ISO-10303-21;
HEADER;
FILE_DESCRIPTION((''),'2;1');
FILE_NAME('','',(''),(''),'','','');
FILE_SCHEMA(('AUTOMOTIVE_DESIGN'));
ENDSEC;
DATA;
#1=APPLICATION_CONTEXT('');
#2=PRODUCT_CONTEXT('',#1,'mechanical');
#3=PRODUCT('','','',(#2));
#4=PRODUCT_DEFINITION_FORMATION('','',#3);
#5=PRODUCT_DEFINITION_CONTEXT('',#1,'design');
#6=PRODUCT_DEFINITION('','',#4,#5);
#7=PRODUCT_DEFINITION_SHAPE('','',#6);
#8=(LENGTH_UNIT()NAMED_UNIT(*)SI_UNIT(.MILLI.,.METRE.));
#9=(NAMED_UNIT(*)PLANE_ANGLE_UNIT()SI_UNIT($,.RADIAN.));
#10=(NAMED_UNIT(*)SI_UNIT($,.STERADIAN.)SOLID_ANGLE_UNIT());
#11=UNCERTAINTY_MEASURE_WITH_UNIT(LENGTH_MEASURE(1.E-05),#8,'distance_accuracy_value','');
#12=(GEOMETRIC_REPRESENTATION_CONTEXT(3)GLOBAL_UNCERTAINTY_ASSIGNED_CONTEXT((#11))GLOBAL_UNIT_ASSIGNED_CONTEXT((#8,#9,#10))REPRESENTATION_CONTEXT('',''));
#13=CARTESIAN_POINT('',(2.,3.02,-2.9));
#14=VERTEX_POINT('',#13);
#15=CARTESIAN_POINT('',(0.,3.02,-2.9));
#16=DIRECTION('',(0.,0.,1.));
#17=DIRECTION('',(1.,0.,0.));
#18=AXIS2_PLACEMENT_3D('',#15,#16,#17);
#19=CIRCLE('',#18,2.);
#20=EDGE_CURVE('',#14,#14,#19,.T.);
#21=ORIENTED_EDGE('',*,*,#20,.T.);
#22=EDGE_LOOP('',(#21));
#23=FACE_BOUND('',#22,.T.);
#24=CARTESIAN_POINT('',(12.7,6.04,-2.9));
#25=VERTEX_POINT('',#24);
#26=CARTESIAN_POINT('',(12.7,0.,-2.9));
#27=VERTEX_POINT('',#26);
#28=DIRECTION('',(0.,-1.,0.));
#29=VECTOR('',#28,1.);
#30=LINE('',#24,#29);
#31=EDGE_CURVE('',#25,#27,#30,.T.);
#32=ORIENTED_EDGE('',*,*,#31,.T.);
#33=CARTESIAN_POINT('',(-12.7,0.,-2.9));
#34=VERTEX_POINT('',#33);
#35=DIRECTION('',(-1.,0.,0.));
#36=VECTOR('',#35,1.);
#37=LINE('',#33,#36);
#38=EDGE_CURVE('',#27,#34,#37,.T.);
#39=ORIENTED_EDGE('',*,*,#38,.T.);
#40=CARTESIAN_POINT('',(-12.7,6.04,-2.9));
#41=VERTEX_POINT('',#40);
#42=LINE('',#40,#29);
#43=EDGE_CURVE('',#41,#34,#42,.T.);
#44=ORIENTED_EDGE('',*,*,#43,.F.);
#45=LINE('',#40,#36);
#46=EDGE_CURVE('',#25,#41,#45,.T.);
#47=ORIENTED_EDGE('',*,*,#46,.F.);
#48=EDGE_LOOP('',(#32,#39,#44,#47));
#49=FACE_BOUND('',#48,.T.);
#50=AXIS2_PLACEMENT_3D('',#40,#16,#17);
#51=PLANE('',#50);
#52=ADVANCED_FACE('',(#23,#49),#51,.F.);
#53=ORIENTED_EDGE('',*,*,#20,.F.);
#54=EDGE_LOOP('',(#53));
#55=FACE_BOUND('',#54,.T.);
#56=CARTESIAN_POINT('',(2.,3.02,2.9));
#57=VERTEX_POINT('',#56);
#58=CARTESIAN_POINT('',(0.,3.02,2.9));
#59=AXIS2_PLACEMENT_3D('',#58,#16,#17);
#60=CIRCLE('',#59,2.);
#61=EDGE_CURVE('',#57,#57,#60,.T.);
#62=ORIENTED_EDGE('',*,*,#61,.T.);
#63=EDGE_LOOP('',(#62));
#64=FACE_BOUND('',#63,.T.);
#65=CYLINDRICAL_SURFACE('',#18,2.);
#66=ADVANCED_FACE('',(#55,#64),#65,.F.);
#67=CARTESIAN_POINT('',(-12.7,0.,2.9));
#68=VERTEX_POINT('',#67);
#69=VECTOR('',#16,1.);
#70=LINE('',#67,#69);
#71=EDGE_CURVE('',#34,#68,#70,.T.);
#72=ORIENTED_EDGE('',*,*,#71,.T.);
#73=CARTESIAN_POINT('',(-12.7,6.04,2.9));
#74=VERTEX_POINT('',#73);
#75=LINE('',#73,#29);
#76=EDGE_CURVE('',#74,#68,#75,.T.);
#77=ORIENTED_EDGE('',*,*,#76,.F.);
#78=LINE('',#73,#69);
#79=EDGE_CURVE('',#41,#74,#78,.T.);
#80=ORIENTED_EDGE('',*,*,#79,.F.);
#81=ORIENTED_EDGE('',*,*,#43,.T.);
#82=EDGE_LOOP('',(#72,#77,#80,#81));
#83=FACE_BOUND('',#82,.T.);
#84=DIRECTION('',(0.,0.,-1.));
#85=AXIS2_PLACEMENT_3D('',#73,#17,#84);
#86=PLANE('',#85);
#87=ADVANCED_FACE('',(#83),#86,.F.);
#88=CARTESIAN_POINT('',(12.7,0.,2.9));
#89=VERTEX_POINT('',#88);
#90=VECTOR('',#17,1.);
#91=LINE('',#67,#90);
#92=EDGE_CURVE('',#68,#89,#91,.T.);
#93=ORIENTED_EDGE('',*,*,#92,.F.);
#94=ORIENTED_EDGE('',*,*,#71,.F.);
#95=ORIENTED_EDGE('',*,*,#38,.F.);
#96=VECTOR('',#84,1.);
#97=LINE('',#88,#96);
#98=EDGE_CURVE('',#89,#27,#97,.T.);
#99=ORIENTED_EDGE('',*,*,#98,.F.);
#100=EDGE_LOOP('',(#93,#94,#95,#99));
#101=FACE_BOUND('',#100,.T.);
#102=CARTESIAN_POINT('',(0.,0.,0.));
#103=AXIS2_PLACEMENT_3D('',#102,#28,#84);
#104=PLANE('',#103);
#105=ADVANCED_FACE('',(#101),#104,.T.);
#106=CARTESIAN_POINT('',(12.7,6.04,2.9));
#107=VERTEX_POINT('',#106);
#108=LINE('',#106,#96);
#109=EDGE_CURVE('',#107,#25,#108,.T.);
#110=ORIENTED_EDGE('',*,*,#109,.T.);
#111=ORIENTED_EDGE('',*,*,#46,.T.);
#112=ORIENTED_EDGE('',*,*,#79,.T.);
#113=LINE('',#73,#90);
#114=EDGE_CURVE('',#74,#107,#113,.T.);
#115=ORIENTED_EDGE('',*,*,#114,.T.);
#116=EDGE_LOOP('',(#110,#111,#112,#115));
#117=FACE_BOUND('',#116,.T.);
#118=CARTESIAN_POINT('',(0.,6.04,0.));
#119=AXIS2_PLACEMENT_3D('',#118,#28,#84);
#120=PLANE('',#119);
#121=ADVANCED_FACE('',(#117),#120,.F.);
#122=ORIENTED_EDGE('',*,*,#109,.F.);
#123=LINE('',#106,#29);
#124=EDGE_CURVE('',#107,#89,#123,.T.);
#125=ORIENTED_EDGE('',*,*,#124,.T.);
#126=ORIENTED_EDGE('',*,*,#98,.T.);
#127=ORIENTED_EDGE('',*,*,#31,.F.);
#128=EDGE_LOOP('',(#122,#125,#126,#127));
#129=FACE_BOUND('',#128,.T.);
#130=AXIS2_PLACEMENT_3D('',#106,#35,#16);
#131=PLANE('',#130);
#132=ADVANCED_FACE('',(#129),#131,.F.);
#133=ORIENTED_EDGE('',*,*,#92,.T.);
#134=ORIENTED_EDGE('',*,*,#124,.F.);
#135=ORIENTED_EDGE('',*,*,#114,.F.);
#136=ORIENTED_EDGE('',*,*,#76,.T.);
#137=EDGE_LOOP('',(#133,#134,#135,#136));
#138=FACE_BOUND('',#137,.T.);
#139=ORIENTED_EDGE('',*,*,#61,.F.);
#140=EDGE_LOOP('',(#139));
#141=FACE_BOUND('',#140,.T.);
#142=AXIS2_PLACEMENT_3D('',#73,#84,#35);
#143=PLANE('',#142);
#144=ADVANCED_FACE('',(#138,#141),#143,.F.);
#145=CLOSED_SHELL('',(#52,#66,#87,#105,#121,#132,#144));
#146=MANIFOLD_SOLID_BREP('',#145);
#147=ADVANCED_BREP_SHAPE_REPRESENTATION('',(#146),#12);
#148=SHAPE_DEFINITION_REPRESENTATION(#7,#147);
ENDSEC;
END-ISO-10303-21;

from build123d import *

# Parameters (mm, degrees)
SKETCH1_W           = 25.4
SKETCH1_H           = 5.8
BOSS_EXTRUDE1_DEPTH = 6.04
SKETCH2_R           = 2
CUT_EXTRUDE1_DEPTH  = 16.212218773


with BuildPart() as part:
    # Sketch1 → Boss-Extrude1 (new body)
    with BuildSketch(Plane(origin=(0, 0, 0), x_dir=(1, 0, 0), z_dir=(0, 1, 0))):
        Rectangle(SKETCH1_W, SKETCH1_H)
    extrude(amount=BOSS_EXTRUDE1_DEPTH)

    # Sketch2 → Cut-Extrude1 (cut, through all)
    with BuildSketch(Plane.XY.offset(2.9)):
        with Locations((0, 3.02)):
            Circle(SKETCH2_R)
    extrude(amount=-CUT_EXTRUDE1_DEPTH, mode=Mode.SUBTRACT)


solid = part.part
